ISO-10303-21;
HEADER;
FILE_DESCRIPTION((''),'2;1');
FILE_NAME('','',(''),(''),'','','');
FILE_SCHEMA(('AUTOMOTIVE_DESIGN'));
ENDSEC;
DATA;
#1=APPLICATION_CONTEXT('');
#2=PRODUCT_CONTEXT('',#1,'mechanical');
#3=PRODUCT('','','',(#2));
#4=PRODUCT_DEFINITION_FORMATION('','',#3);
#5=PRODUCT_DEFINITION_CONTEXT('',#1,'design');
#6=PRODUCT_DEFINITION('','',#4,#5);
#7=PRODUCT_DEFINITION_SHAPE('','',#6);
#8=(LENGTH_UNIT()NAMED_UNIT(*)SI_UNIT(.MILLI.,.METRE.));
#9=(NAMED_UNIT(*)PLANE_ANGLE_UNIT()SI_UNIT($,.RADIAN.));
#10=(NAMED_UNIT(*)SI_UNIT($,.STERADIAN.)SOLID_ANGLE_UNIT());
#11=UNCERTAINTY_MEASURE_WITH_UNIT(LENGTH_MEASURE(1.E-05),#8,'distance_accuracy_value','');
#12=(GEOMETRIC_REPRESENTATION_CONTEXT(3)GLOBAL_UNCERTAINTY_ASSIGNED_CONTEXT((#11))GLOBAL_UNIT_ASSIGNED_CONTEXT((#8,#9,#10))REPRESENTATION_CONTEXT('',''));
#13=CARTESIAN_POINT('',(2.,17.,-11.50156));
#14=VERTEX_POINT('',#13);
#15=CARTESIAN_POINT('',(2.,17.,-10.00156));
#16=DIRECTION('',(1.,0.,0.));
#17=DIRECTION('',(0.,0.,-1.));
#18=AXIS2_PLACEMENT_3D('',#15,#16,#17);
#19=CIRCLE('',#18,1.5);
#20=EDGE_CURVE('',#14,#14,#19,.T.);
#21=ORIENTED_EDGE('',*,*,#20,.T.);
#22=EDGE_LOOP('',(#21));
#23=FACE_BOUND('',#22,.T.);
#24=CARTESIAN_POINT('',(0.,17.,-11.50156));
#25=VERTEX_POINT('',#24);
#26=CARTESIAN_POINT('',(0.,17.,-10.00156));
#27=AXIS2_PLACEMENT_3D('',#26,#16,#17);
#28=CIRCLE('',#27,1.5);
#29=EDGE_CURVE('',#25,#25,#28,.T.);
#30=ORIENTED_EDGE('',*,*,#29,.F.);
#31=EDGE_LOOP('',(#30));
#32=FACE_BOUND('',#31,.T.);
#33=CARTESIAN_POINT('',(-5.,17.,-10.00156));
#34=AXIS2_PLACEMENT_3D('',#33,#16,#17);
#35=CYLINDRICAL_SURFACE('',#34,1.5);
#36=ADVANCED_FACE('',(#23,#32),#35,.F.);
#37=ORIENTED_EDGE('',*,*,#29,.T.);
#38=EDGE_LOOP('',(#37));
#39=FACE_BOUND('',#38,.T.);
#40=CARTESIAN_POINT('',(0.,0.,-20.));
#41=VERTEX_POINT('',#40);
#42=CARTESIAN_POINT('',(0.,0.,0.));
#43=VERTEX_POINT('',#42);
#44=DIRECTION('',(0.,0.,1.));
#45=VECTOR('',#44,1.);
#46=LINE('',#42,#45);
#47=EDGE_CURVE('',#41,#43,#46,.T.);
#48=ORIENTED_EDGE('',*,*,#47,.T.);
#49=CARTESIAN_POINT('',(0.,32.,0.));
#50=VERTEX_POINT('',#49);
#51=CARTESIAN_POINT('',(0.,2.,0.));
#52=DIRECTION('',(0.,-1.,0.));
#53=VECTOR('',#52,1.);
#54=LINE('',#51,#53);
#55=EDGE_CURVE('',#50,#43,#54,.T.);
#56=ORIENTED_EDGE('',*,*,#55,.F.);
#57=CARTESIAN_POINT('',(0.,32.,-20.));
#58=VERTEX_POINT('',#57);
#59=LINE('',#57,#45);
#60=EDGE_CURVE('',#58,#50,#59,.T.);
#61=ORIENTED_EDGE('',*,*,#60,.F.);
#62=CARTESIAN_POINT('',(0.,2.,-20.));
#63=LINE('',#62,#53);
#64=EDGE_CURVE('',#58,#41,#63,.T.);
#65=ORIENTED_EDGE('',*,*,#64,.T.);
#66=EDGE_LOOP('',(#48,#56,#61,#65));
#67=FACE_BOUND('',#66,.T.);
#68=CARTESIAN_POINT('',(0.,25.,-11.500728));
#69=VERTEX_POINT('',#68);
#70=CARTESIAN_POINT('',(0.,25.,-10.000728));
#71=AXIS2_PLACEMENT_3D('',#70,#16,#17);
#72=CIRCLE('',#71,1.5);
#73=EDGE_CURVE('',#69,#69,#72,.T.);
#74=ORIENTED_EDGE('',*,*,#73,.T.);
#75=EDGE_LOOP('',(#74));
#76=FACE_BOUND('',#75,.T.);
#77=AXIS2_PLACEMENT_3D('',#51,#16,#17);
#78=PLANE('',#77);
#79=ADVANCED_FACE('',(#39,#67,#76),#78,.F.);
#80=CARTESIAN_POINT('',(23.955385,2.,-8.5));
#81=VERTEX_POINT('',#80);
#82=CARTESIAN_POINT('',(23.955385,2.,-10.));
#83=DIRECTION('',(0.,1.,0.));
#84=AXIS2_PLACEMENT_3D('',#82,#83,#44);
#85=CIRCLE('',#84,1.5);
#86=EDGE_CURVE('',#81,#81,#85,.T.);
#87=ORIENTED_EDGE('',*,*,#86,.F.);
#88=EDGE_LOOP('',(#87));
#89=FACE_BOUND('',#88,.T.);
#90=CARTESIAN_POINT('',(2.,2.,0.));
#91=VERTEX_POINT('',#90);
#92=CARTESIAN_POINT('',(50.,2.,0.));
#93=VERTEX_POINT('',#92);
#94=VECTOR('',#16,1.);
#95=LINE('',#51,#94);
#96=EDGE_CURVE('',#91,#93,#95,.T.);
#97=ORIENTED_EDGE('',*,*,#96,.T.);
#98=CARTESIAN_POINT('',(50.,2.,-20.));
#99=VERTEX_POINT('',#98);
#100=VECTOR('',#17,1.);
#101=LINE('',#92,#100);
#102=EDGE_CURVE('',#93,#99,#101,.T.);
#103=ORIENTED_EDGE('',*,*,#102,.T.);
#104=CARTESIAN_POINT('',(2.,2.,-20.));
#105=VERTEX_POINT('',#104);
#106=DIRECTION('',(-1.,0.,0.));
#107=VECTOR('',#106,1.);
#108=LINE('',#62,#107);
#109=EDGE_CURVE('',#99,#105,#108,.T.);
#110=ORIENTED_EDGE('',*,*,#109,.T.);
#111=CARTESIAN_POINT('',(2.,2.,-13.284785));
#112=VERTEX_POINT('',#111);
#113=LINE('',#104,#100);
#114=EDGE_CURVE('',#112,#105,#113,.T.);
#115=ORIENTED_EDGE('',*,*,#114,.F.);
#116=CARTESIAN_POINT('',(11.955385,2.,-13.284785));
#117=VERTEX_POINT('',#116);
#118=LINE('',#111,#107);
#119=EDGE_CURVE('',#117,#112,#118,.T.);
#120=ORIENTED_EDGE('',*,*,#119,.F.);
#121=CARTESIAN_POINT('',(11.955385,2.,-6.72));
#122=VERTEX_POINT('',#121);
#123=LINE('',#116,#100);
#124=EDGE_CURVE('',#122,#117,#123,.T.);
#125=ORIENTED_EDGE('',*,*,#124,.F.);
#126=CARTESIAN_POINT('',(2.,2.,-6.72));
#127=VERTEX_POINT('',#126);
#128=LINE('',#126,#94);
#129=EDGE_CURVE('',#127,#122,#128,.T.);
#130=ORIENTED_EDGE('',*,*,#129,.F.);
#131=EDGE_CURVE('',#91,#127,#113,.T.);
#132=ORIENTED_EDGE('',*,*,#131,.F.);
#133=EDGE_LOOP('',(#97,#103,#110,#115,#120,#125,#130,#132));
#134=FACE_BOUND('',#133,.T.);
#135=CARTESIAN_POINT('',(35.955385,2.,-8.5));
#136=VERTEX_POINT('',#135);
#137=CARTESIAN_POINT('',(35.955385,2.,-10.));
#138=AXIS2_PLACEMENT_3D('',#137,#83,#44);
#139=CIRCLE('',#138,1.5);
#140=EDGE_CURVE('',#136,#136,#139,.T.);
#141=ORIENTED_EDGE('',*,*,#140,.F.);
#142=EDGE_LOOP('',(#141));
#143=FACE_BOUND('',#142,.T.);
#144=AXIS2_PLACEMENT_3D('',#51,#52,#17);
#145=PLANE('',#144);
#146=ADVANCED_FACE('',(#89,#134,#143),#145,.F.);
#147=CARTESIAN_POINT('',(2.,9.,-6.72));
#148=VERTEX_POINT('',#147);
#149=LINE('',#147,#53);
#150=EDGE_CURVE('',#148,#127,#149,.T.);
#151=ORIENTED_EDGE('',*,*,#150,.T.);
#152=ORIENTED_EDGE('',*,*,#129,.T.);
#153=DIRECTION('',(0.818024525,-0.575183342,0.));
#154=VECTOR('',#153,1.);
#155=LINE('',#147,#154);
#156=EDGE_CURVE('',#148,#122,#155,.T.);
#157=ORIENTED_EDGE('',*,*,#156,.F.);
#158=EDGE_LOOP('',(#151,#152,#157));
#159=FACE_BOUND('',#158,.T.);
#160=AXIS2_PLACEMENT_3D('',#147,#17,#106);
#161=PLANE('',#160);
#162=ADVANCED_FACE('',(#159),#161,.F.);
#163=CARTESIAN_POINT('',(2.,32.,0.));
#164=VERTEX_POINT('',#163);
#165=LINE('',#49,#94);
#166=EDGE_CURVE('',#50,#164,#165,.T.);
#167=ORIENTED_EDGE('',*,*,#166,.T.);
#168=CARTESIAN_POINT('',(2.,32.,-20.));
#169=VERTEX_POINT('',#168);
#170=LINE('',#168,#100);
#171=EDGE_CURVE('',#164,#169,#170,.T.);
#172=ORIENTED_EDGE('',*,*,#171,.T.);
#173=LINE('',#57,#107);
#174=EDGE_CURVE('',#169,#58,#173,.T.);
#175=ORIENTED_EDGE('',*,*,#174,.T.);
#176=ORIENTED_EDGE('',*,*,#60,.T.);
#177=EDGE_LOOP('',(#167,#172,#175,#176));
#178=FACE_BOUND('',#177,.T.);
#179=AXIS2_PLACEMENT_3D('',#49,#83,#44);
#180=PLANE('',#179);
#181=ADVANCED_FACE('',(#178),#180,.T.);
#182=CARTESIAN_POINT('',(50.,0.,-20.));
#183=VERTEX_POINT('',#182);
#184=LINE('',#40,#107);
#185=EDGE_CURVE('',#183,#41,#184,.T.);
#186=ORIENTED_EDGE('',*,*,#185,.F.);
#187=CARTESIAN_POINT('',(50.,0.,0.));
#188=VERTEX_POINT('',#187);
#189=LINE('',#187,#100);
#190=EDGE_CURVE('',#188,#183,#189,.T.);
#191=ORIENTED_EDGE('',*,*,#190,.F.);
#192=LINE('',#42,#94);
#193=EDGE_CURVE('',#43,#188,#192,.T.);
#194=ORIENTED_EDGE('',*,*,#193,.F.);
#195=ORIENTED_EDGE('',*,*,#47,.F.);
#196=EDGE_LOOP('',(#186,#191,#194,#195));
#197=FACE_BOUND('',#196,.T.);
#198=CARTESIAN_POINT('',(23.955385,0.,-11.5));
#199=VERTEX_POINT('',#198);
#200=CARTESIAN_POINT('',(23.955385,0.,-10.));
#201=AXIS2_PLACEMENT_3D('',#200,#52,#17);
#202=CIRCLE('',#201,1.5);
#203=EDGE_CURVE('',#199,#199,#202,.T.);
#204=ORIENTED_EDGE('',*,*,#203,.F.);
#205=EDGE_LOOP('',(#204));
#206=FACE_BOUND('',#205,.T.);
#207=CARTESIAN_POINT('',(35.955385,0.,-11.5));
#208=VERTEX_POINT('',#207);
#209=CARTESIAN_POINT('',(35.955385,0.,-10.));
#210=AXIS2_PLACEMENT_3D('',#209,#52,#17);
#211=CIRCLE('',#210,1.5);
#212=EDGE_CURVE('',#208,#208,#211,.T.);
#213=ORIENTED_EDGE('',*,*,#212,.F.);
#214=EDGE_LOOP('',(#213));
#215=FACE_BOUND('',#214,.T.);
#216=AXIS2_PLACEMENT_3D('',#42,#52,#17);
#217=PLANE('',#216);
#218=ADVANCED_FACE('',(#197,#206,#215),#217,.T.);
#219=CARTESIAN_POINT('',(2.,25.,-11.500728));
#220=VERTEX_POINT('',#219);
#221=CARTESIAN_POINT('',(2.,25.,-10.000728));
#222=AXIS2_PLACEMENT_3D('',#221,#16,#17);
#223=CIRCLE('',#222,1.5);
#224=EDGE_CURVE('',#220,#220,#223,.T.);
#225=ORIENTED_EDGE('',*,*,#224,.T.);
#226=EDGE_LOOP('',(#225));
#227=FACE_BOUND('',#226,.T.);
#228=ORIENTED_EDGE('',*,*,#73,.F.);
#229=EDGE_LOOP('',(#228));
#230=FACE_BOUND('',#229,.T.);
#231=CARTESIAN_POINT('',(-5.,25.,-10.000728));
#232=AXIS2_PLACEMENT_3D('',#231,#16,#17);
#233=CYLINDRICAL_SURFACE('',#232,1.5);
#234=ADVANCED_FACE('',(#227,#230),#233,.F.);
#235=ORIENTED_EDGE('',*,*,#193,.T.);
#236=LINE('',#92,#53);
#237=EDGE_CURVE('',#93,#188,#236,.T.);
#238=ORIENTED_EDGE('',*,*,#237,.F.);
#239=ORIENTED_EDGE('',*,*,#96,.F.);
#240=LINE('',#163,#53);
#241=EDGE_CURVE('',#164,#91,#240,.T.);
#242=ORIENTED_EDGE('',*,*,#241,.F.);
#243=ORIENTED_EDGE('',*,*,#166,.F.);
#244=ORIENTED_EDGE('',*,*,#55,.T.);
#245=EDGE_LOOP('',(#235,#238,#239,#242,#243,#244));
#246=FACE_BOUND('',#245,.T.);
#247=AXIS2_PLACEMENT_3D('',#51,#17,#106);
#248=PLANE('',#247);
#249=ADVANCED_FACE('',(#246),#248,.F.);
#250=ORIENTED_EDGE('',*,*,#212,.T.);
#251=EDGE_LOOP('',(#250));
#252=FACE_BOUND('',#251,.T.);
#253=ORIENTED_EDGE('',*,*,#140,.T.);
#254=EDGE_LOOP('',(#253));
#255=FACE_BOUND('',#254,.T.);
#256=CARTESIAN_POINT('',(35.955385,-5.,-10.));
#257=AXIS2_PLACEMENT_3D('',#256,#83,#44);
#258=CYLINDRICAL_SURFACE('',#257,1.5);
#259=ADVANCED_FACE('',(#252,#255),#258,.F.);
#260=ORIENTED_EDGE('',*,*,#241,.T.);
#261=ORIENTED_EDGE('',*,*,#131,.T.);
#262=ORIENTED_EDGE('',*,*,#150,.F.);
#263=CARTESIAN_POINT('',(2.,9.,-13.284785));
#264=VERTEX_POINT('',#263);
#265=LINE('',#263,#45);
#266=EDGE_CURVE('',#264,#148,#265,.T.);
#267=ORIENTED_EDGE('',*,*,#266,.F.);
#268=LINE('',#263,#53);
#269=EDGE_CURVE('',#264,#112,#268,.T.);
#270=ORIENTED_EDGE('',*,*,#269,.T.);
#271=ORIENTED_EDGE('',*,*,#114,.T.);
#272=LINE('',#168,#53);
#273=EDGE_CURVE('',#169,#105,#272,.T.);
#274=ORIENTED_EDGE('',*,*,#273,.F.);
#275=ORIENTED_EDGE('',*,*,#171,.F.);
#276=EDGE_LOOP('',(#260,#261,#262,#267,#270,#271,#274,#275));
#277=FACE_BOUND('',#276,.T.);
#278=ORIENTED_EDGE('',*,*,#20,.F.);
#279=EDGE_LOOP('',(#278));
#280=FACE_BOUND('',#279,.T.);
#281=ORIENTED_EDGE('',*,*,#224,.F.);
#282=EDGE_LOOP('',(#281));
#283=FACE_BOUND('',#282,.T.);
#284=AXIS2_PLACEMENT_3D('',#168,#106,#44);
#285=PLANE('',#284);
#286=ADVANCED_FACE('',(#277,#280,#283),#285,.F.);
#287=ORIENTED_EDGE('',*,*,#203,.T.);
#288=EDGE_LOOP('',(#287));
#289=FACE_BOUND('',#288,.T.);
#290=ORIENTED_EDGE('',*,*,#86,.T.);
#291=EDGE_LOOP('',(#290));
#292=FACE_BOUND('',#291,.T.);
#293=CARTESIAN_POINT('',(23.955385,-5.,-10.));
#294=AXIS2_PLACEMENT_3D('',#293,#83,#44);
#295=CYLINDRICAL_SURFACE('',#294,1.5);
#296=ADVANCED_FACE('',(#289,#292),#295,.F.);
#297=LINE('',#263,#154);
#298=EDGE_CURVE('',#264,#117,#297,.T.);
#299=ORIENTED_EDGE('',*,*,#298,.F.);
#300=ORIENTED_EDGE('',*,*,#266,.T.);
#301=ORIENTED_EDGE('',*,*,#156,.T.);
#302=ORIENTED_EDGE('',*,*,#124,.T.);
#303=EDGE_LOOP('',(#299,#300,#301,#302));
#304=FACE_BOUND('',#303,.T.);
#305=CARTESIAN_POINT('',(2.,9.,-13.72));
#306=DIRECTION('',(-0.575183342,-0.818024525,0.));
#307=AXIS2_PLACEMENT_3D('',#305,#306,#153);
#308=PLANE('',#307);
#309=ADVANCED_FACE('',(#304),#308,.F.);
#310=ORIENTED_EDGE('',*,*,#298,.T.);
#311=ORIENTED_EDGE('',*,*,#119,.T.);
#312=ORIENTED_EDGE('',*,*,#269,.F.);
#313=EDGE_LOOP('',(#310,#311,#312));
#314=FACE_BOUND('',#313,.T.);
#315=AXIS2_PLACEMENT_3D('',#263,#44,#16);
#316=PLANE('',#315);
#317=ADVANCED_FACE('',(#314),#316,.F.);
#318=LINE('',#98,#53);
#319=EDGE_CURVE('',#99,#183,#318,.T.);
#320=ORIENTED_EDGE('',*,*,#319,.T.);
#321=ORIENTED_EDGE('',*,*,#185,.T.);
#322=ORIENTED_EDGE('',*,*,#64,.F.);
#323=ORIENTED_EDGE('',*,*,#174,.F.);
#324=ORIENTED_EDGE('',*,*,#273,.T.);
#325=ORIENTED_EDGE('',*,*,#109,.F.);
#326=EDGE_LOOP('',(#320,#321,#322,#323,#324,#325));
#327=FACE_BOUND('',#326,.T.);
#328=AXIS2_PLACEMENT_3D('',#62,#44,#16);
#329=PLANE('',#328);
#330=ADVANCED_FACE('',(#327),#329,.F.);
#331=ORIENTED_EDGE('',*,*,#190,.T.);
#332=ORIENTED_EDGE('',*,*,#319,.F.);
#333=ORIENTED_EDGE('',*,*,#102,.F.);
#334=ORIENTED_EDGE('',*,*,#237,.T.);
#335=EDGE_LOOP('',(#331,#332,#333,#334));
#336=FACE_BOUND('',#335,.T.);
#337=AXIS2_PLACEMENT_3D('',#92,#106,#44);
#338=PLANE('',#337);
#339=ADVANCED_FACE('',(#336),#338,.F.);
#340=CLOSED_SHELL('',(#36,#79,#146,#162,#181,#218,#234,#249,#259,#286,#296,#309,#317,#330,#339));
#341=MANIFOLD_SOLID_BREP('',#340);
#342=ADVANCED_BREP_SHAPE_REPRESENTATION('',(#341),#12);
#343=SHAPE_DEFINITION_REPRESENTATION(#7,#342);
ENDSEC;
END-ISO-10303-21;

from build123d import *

# Parameters (mm, degrees)
SKETCH1_W           = 50
SKETCH1_H           = 20
BOSS_EXTRUDE1_DEPTH = 2
SKETCH2_W           = 2
SKETCH2_H           = 20
BOSS_EXTRUDE2_DEPTH = 30
SKETCH4_W           = 9.955385113
SKETCH4_H           = 6.56478527
BOSS_EXTRUDE3_DEPTH = 7
CUT_EXTRUDE1_DEPTH  = 7
SKETCH6_R           = 1.5
CUT_EXTRUDE2_DEPTH  = 7
SKETCH7_R           = 1.5
CUT_EXTRUDE3_DEPTH  = 7


with BuildPart() as part:
    # Sketch1 → Boss-Extrude1 (new body)
    with BuildSketch(Plane(origin=(0, 0, 0), x_dir=(1, 0, 0), z_dir=(0, 1, 0))):
        with Locations((25, 10)):
            Rectangle(SKETCH1_W, SKETCH1_H)
    extrude(amount=BOSS_EXTRUDE1_DEPTH)

    # Sketch2 → Boss-Extrude2 (add)
    with BuildSketch(Plane(origin=(0, 2, 0), x_dir=(1, 0, 0), z_dir=(0, 1, 0))):
        with Locations((1, 10)):
            Rectangle(SKETCH2_W, SKETCH2_H)
    extrude(amount=BOSS_EXTRUDE2_DEPTH)

    # Sketch4 → Boss-Extrude3 (add)
    with BuildSketch(Plane(origin=(0, 2, 0), x_dir=(1, 0, 0), z_dir=(0, 1, 0))):
        with Locations((6.977692557, 10.002392635)):
            Rectangle(SKETCH4_W, SKETCH4_H)
    extrude(amount=BOSS_EXTRUDE3_DEPTH)

    # Sketch5 → Cut-Extrude1 (cut)
    with BuildSketch(Plane.XY.offset(-6.72)):
        Polygon((2, 9), (11.955385113, 2), (11.955385113, 9), align=None)
    extrude(amount=-CUT_EXTRUDE1_DEPTH, mode=Mode.SUBTRACT)

    # Sketch6 → Cut-Extrude2 (cut)
    with BuildSketch(Plane(origin=(0, 2, 0), x_dir=(1, 0, 0), z_dir=(0, 1, 0))):
        with Locations(Location((23.955385113, 10, 0), (0, 0, 270))):
            Circle(SKETCH6_R)
        with Locations(Location((35.955385113, 10, 0), (0, 0, 270))):
            Circle(SKETCH6_R)
    extrude(amount=-CUT_EXTRUDE2_DEPTH, mode=Mode.SUBTRACT)

    # Sketch7 → Cut-Extrude3 (cut)
    with BuildSketch(Plane(origin=(2, 0, 0), x_dir=(0, 0, -1), z_dir=(1, 0, 0))):
        with Locations((10.001560414, 17)):
            Circle(SKETCH7_R)
        with Locations((10.000728193, 24.999999957)):
            Circle(SKETCH7_R)
    extrude(amount=-CUT_EXTRUDE3_DEPTH, mode=Mode.SUBTRACT)


solid = part.part
